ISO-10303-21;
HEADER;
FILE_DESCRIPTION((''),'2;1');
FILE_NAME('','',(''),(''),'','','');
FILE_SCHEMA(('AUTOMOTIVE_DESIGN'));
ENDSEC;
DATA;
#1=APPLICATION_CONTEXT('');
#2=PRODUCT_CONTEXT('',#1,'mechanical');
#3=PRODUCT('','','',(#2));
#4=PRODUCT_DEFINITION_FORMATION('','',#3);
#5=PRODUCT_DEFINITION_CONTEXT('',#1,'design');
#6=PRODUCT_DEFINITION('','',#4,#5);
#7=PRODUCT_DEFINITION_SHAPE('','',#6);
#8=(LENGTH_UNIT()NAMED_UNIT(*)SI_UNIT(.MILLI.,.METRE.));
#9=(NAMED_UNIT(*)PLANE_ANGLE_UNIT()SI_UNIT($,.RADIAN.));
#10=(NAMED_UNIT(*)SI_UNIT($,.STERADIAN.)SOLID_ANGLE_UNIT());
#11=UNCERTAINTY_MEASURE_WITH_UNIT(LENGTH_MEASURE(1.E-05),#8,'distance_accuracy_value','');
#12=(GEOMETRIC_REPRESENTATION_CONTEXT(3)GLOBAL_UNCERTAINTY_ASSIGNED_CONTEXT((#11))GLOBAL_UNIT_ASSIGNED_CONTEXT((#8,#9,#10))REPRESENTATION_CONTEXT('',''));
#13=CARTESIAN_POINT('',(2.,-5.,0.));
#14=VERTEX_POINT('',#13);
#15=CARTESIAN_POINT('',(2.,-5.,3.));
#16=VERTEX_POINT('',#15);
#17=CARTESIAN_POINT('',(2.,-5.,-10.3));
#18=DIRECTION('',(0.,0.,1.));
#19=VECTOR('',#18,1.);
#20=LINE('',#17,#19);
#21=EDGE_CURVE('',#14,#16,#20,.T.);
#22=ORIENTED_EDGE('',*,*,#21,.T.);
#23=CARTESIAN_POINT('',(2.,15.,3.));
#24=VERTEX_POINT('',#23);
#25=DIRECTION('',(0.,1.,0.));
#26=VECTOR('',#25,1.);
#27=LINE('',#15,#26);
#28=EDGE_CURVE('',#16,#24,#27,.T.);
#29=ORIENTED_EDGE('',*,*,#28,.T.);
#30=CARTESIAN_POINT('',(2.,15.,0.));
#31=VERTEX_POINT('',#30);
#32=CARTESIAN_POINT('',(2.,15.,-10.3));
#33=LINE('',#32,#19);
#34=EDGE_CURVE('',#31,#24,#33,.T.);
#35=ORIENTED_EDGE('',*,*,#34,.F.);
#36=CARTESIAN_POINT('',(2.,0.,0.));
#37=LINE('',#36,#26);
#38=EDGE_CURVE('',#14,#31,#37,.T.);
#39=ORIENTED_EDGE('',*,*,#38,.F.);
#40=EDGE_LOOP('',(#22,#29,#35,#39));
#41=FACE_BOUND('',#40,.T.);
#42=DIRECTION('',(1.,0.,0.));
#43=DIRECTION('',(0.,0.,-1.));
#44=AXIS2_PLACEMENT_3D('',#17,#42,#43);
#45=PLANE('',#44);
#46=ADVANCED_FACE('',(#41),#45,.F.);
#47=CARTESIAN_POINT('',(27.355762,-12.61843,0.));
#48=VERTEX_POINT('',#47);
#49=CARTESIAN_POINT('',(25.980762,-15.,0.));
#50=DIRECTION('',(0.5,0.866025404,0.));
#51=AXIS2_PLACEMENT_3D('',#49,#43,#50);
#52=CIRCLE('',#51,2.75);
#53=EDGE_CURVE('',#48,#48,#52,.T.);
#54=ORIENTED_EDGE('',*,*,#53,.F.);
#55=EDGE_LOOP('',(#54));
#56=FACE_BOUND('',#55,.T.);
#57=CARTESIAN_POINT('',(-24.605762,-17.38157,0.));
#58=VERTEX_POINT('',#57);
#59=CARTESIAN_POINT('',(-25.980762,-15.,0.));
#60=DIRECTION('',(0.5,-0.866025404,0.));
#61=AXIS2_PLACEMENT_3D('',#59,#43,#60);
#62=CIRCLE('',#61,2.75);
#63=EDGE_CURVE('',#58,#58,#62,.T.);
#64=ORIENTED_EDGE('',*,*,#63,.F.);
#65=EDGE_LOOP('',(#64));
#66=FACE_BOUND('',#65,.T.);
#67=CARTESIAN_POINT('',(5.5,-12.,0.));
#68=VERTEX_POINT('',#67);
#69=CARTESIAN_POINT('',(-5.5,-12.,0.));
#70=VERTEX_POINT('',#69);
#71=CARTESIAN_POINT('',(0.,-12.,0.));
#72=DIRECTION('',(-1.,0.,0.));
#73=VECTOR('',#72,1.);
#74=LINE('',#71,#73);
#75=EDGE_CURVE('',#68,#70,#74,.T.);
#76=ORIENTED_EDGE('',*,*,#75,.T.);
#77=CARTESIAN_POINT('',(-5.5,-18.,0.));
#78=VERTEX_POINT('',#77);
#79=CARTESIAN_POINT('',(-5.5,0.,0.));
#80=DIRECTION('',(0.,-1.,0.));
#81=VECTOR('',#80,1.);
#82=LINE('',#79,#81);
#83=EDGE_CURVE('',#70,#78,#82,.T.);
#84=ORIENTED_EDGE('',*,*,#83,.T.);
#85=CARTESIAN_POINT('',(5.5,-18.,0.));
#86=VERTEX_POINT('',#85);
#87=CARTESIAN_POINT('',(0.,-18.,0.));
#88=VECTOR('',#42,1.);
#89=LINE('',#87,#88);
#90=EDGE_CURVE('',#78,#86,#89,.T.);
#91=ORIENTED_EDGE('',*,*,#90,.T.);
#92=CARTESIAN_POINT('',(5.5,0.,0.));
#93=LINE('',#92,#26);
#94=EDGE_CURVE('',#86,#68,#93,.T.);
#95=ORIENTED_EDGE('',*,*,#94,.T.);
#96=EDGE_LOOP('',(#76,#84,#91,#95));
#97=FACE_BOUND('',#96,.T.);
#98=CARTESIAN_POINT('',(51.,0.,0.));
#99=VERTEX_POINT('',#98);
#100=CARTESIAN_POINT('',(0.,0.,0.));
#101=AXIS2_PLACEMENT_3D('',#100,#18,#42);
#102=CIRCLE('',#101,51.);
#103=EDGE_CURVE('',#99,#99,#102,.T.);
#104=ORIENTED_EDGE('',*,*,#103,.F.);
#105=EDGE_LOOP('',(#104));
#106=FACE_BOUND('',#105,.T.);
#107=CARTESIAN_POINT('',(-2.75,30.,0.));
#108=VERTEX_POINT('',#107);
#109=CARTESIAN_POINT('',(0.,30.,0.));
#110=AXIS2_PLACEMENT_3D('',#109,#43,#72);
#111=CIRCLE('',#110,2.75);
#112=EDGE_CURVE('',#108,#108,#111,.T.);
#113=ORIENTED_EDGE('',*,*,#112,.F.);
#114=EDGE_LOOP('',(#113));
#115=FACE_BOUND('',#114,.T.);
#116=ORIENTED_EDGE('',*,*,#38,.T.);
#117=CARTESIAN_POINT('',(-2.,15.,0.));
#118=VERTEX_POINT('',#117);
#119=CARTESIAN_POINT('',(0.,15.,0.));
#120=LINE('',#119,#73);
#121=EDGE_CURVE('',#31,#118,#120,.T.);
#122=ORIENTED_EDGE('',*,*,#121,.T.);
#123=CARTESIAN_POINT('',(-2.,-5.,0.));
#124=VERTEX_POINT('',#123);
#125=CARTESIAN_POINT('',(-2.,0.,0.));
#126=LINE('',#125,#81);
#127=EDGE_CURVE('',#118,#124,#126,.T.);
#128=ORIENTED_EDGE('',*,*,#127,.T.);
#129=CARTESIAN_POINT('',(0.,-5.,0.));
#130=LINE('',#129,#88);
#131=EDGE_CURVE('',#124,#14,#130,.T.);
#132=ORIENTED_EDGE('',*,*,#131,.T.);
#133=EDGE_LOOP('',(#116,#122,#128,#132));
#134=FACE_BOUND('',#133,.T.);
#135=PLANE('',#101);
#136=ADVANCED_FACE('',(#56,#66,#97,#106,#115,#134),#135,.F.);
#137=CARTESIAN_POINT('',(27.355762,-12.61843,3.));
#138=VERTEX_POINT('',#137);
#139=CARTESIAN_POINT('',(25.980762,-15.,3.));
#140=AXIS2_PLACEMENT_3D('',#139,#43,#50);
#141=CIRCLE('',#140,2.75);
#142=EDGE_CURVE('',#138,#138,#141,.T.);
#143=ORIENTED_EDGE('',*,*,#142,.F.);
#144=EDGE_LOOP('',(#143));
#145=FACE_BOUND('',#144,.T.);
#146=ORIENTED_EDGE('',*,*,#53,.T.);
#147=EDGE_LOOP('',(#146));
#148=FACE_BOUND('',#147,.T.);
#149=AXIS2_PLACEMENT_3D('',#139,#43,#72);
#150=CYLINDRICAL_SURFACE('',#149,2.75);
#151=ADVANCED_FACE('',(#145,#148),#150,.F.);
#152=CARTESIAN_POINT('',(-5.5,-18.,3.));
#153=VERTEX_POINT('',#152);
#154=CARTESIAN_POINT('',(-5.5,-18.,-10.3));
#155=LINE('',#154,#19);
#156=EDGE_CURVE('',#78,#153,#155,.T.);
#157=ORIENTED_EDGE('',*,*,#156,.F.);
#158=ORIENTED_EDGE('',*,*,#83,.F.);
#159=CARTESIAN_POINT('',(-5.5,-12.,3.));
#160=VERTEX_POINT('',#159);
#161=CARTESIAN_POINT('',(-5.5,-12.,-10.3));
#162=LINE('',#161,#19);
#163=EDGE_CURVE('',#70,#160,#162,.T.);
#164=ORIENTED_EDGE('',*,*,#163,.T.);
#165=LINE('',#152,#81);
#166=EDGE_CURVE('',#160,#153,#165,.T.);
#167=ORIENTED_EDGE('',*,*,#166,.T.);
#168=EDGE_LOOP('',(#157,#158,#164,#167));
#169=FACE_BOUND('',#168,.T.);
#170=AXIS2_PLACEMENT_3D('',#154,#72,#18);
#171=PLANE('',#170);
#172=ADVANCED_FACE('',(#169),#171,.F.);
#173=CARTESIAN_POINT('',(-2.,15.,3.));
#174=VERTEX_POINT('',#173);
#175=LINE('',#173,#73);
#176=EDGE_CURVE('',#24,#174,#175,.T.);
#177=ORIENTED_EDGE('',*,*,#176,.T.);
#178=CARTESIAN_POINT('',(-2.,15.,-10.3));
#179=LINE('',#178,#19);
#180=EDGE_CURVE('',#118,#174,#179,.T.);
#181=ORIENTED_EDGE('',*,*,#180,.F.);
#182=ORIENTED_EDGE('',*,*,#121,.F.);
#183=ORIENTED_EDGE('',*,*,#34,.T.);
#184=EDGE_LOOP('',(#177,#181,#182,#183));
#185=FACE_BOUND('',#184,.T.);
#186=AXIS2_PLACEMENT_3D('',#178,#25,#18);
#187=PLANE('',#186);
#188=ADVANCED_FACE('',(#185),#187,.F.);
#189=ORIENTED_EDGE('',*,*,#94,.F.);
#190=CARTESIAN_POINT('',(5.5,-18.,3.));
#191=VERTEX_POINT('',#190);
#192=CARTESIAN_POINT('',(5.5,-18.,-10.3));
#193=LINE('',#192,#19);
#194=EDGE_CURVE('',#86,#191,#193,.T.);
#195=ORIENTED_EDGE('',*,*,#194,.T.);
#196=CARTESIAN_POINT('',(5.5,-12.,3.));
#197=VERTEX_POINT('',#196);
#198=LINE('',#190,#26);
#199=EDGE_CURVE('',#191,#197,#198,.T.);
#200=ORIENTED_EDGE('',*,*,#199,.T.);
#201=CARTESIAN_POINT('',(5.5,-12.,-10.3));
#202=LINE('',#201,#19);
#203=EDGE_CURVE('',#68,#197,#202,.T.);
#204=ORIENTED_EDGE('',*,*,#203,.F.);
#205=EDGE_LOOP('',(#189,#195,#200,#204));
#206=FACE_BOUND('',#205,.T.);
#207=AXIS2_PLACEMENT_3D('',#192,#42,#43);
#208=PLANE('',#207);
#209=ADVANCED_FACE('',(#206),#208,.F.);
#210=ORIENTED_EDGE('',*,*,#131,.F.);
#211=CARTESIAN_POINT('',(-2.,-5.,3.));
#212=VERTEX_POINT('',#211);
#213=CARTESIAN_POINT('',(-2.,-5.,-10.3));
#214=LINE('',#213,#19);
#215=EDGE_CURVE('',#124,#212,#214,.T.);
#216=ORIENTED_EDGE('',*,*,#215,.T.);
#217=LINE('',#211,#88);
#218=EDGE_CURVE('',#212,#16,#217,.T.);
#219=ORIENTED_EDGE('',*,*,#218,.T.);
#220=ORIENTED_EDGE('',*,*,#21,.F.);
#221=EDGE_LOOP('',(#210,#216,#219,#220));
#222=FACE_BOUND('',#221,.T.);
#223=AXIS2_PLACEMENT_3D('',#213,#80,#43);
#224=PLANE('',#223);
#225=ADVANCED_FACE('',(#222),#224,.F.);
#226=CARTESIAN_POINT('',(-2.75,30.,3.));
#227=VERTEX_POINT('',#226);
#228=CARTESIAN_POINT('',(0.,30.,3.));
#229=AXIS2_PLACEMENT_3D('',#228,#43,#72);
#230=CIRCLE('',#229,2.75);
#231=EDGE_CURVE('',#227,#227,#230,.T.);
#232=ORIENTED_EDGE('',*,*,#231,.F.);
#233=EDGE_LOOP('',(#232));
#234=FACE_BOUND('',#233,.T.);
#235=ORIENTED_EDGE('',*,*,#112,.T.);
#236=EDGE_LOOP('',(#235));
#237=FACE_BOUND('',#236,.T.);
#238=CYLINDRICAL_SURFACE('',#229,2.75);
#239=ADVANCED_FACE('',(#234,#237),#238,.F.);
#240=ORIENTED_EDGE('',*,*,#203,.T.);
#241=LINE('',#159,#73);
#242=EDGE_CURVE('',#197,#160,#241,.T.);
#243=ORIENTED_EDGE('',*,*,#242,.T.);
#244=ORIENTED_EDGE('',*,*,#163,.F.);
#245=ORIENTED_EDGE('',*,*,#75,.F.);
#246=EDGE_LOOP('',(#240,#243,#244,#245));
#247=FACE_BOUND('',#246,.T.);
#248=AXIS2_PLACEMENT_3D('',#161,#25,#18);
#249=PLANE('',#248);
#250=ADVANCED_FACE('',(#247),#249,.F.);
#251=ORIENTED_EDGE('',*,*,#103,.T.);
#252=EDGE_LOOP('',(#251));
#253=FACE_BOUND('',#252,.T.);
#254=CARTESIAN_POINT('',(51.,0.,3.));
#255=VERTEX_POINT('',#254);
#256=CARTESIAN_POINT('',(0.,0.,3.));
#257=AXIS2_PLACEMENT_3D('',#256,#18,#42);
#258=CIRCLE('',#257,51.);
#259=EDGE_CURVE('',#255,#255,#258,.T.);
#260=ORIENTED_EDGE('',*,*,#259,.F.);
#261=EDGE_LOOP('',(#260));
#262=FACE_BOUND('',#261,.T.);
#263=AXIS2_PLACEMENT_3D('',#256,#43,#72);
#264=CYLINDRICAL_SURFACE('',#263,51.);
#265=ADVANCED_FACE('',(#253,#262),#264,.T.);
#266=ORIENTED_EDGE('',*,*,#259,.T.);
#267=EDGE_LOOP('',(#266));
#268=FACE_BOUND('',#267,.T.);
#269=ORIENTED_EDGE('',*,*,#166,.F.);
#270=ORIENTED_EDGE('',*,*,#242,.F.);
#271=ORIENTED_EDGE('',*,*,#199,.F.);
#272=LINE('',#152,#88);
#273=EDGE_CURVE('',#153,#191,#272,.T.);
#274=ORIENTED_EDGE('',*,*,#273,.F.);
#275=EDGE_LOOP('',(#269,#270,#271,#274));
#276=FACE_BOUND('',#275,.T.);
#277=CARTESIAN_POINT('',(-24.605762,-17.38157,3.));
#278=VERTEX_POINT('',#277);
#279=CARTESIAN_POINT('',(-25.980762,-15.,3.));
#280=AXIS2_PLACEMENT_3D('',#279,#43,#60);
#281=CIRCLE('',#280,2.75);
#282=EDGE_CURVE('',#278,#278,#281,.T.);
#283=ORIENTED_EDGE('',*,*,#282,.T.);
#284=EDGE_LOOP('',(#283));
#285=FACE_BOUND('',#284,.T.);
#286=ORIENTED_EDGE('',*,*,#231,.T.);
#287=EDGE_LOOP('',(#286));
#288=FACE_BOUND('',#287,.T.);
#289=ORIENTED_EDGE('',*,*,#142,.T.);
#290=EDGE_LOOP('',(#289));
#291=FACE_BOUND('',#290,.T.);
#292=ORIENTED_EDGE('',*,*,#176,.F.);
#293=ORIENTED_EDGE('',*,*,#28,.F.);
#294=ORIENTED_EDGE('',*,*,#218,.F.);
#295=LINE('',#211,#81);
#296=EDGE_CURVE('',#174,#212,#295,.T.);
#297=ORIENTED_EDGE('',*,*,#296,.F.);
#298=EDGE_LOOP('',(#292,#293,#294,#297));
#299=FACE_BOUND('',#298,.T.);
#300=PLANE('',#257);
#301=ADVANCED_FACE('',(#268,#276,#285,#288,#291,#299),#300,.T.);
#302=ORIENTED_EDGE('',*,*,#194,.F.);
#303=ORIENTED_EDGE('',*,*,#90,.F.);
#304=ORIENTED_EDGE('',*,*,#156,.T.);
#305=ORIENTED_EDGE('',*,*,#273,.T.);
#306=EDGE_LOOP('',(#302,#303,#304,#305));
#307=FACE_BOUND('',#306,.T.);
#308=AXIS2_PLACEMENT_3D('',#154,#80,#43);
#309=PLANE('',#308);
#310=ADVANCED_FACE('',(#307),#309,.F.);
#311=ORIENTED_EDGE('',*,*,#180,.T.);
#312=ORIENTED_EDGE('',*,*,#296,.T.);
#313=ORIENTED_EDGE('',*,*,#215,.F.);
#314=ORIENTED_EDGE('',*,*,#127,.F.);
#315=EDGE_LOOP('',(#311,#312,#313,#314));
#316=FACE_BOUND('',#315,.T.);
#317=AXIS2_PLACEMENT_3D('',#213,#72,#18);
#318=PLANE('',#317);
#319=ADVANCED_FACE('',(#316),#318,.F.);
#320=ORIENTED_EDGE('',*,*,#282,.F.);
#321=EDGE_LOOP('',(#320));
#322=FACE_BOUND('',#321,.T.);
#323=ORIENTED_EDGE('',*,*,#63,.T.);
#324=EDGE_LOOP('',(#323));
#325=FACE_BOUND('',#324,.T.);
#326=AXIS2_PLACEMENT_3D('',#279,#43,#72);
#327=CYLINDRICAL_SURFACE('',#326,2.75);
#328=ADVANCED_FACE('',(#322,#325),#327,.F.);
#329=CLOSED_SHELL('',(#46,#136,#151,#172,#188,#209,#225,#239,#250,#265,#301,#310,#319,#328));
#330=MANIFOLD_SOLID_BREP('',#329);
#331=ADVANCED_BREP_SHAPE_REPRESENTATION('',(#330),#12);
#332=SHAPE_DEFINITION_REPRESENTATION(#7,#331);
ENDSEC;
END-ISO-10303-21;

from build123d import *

# Parameters (mm, degrees)
SKETCH_2_R               = 51
EXTRUDE_1_DEPTH          = 3
SKETCH_3_R               = 2.75
CUT_EXTRUDE_1_DEPTH      = 3
PATTERN_CIRCULAR_1_COUNT = 3
CUT_EXTRUDE_START        = -13.3
SKETCH_4_R               = 2.75
SKETCH_4_W               = 4
SKETCH_4_H               = 20
SKETCH_4_W_2             = 11
SKETCH_4_H_2             = 6
CUT_EXTRUDE_2_DEPTH      = 13.3


with BuildPart() as part:
    # Эскиз2 → Бобышка-Вытянуть1 (new body)
    with BuildSketch(Plane.XY):
        Circle(SKETCH_2_R)
    extrude(amount=EXTRUDE_1_DEPTH)

    # Эскиз3 → Вырез-Вытянуть1 (cut)
    with BuildSketch(Plane(origin=(0, 0, 0), x_dir=(-1, 0, 0), z_dir=(0, 0, -1))):
        with Locations((0, 30)):
            Circle(SKETCH_3_R)
    cut_extrude_1 = extrude(amount=-CUT_EXTRUDE_1_DEPTH, mode=Mode.SUBTRACT)

    # Круговой массив1: Вырез-Вытянуть1 ×3 about axis
    pattern_circular_1_axis = Axis((0, 0, 0), (0, 0, 1))
    for i in range(1, PATTERN_CIRCULAR_1_COUNT):
        add(cut_extrude_1.rotate(pattern_circular_1_axis, i * 360 / PATTERN_CIRCULAR_1_COUNT), mode=Mode.SUBTRACT)

    # Эскиз4 → Вырез-Вытянуть2 (cut)
    with BuildSketch(Plane.XY.offset(3).offset(CUT_EXTRUDE_START)):
        with Locations(Location((0, 30, 0), (0, 0, 180))):
            Circle(SKETCH_4_R)
        with Locations((0, 5)):
            Rectangle(SKETCH_4_W, SKETCH_4_H)
        with Locations((0, -15)):
            Rectangle(SKETCH_4_W_2, SKETCH_4_H_2)
    extrude(amount=CUT_EXTRUDE_2_DEPTH, mode=Mode.SUBTRACT)


solid = part.part
